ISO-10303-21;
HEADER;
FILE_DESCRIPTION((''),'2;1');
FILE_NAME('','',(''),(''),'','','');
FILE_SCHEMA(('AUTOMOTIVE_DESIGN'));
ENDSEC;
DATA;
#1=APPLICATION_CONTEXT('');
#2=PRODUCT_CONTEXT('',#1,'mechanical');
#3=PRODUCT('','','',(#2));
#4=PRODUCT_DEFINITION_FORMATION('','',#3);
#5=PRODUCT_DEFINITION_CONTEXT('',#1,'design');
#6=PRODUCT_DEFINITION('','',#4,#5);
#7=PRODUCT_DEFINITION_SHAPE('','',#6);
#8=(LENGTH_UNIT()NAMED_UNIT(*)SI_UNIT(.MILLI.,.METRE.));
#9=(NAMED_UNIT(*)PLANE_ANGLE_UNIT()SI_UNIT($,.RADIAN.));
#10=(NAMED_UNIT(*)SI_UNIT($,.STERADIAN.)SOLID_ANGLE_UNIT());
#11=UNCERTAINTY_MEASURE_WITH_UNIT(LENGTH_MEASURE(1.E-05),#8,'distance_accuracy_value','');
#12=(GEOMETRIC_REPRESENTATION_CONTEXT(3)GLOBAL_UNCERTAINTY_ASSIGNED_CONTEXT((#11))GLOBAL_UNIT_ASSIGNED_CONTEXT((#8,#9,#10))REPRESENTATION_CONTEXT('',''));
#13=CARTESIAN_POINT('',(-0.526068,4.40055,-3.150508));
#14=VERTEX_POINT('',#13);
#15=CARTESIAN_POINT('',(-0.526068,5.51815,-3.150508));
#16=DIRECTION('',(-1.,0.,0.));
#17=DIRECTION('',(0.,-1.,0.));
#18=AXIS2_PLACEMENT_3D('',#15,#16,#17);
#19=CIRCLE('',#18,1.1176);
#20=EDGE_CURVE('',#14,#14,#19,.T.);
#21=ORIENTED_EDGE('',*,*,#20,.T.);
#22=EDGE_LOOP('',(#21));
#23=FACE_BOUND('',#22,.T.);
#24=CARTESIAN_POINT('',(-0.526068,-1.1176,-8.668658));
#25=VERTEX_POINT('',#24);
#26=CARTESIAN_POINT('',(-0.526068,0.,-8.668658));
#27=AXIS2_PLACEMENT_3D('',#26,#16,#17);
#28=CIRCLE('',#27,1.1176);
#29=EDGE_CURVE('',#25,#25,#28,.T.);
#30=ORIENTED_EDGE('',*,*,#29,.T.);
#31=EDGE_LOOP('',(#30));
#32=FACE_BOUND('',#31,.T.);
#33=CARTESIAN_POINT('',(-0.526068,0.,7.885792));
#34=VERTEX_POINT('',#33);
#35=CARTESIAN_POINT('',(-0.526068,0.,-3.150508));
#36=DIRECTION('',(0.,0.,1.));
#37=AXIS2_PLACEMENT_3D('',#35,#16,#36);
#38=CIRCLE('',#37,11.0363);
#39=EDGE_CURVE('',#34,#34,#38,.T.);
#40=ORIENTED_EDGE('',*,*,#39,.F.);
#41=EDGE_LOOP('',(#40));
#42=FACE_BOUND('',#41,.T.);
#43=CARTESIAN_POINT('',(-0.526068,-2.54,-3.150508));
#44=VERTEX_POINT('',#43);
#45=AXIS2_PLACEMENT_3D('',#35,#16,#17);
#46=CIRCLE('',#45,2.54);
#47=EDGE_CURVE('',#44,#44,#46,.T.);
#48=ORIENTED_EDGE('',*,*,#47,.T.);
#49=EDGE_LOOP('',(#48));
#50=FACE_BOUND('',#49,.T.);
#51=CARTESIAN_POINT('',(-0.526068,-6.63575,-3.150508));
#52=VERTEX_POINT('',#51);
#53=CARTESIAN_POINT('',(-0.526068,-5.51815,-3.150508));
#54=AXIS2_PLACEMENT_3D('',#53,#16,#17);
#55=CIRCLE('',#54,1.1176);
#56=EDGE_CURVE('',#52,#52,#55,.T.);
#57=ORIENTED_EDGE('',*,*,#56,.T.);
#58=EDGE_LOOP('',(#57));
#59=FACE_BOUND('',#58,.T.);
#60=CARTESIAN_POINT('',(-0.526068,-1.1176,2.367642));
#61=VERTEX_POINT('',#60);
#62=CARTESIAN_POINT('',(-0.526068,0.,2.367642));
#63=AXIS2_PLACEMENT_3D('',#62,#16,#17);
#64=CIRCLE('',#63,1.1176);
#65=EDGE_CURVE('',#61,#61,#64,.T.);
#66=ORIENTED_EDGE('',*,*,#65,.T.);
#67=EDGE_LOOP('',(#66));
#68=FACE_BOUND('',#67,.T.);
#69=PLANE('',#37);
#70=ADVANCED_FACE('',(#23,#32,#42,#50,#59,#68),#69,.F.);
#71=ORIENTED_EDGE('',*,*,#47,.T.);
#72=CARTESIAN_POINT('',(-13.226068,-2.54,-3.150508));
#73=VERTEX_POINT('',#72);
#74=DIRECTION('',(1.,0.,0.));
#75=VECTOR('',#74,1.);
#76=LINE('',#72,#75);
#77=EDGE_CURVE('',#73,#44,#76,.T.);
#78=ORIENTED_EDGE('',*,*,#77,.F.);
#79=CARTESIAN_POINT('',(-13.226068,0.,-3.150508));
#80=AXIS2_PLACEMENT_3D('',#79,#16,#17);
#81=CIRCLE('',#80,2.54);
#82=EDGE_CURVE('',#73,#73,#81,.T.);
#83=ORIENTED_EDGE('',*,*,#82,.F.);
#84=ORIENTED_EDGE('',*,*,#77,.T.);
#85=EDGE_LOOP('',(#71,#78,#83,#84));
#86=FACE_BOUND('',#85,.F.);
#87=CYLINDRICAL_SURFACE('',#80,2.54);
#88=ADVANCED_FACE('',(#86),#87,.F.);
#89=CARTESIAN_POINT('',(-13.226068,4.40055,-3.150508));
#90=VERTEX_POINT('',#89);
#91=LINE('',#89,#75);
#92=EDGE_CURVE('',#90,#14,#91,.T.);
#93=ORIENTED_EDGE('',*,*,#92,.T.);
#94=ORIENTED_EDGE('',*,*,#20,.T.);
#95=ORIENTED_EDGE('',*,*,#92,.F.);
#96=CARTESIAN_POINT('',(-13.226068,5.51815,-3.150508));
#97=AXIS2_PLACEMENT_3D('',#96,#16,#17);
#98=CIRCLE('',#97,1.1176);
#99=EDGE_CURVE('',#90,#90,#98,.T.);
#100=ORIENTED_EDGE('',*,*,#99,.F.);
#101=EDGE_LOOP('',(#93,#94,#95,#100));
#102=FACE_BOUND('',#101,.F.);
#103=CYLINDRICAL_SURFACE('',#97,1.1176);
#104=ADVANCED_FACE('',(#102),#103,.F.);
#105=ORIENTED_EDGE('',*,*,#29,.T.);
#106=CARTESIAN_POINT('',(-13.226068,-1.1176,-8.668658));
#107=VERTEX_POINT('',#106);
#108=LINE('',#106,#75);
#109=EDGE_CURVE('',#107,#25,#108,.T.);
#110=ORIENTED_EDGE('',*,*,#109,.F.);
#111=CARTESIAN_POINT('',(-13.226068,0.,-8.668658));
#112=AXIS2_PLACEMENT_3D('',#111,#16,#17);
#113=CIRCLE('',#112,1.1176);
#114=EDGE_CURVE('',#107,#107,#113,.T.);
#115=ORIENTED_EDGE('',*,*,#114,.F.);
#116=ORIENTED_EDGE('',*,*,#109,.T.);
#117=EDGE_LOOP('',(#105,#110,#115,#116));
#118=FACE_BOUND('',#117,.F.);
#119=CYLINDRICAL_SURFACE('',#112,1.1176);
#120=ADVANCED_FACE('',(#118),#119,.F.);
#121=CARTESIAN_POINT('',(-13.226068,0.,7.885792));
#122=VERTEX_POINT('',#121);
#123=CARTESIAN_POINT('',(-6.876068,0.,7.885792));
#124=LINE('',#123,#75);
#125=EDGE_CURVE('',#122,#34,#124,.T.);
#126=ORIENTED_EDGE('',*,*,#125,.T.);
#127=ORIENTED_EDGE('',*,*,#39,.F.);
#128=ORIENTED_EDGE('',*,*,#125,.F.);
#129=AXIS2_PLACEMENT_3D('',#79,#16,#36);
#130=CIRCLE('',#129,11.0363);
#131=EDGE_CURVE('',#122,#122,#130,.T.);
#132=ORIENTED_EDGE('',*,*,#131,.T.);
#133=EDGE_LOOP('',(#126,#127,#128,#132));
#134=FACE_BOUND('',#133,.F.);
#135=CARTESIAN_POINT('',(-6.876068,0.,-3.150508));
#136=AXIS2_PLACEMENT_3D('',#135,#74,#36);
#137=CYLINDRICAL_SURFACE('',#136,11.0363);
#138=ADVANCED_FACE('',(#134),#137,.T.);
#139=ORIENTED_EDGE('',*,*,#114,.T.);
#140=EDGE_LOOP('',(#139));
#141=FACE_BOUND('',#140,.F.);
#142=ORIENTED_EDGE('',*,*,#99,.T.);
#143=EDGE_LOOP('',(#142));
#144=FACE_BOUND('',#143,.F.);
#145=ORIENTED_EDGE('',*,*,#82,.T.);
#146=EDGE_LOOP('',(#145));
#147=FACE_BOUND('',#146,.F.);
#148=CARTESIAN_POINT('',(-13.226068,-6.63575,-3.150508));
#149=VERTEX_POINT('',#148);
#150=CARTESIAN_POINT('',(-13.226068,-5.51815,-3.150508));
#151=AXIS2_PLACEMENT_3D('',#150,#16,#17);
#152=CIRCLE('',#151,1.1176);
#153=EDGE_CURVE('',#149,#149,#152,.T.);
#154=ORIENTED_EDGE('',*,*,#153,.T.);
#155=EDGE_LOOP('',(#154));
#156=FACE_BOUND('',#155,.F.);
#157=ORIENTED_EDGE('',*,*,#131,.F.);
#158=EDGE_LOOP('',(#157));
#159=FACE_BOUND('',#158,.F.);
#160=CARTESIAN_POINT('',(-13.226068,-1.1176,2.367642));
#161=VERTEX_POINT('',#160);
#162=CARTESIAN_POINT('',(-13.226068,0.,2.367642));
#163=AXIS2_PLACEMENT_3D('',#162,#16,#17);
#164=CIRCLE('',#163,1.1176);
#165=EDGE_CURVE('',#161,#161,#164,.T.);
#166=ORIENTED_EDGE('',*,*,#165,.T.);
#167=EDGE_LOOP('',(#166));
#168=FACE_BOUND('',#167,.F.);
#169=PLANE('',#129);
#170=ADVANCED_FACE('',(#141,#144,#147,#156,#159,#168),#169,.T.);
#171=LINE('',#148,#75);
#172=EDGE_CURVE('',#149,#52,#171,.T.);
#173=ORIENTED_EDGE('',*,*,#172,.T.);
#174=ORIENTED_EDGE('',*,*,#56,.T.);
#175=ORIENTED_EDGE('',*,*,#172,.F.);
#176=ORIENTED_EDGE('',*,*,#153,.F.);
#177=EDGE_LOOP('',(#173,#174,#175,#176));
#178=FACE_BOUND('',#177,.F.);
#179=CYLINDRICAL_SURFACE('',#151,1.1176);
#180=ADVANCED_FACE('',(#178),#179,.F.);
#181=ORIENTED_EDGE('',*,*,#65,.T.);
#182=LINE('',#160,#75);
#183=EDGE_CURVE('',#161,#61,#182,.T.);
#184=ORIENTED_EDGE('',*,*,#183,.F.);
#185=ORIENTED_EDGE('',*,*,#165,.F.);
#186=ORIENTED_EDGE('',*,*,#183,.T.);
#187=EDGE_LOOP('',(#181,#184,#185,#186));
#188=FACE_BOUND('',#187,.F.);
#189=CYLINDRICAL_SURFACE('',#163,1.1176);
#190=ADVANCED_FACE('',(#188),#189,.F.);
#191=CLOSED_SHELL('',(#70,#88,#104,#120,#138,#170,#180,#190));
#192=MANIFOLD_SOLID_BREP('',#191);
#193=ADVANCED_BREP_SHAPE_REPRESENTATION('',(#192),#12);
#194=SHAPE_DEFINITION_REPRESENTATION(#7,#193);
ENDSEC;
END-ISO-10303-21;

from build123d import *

# Parameters (mm, degrees)
F0_W     = 12.7
F0_H     = 11.0363
F2_R     = 2.54
F2_R_2   = 1.1176
F3_DEPTH = 30.43168


with BuildPart() as f1:
    # F0 (on Front) → F1 (revolve)
    with BuildSketch(Plane.XZ):
        with Locations((-6.876068, 2.367642)):
            Rectangle(F0_W, F0_H)
    revolve(axis=Axis((-6.876068, 0, -3.150508), (-1, 0, 0)))

    # F2 (on face) → F3 (cut)
    with BuildSketch(Plane(origin=(-13.226068, 0, 0), x_dir=(0, -1, 0), z_dir=(-1, 0, 0))):
        with Locations((0, -3.150508)):
            Circle(F2_R)
        with Locations((-5.51815, -3.150508)):
            Circle(F2_R_2)
        with Locations((0, 2.367642)):
            Circle(F2_R_2)
        with Locations((5.51815, -3.150508)):
            Circle(F2_R_2)
        with Locations((0, -8.668658)):
            Circle(F2_R_2)
    extrude(amount=-F3_DEPTH, mode=Mode.SUBTRACT)


solid = f1.part
